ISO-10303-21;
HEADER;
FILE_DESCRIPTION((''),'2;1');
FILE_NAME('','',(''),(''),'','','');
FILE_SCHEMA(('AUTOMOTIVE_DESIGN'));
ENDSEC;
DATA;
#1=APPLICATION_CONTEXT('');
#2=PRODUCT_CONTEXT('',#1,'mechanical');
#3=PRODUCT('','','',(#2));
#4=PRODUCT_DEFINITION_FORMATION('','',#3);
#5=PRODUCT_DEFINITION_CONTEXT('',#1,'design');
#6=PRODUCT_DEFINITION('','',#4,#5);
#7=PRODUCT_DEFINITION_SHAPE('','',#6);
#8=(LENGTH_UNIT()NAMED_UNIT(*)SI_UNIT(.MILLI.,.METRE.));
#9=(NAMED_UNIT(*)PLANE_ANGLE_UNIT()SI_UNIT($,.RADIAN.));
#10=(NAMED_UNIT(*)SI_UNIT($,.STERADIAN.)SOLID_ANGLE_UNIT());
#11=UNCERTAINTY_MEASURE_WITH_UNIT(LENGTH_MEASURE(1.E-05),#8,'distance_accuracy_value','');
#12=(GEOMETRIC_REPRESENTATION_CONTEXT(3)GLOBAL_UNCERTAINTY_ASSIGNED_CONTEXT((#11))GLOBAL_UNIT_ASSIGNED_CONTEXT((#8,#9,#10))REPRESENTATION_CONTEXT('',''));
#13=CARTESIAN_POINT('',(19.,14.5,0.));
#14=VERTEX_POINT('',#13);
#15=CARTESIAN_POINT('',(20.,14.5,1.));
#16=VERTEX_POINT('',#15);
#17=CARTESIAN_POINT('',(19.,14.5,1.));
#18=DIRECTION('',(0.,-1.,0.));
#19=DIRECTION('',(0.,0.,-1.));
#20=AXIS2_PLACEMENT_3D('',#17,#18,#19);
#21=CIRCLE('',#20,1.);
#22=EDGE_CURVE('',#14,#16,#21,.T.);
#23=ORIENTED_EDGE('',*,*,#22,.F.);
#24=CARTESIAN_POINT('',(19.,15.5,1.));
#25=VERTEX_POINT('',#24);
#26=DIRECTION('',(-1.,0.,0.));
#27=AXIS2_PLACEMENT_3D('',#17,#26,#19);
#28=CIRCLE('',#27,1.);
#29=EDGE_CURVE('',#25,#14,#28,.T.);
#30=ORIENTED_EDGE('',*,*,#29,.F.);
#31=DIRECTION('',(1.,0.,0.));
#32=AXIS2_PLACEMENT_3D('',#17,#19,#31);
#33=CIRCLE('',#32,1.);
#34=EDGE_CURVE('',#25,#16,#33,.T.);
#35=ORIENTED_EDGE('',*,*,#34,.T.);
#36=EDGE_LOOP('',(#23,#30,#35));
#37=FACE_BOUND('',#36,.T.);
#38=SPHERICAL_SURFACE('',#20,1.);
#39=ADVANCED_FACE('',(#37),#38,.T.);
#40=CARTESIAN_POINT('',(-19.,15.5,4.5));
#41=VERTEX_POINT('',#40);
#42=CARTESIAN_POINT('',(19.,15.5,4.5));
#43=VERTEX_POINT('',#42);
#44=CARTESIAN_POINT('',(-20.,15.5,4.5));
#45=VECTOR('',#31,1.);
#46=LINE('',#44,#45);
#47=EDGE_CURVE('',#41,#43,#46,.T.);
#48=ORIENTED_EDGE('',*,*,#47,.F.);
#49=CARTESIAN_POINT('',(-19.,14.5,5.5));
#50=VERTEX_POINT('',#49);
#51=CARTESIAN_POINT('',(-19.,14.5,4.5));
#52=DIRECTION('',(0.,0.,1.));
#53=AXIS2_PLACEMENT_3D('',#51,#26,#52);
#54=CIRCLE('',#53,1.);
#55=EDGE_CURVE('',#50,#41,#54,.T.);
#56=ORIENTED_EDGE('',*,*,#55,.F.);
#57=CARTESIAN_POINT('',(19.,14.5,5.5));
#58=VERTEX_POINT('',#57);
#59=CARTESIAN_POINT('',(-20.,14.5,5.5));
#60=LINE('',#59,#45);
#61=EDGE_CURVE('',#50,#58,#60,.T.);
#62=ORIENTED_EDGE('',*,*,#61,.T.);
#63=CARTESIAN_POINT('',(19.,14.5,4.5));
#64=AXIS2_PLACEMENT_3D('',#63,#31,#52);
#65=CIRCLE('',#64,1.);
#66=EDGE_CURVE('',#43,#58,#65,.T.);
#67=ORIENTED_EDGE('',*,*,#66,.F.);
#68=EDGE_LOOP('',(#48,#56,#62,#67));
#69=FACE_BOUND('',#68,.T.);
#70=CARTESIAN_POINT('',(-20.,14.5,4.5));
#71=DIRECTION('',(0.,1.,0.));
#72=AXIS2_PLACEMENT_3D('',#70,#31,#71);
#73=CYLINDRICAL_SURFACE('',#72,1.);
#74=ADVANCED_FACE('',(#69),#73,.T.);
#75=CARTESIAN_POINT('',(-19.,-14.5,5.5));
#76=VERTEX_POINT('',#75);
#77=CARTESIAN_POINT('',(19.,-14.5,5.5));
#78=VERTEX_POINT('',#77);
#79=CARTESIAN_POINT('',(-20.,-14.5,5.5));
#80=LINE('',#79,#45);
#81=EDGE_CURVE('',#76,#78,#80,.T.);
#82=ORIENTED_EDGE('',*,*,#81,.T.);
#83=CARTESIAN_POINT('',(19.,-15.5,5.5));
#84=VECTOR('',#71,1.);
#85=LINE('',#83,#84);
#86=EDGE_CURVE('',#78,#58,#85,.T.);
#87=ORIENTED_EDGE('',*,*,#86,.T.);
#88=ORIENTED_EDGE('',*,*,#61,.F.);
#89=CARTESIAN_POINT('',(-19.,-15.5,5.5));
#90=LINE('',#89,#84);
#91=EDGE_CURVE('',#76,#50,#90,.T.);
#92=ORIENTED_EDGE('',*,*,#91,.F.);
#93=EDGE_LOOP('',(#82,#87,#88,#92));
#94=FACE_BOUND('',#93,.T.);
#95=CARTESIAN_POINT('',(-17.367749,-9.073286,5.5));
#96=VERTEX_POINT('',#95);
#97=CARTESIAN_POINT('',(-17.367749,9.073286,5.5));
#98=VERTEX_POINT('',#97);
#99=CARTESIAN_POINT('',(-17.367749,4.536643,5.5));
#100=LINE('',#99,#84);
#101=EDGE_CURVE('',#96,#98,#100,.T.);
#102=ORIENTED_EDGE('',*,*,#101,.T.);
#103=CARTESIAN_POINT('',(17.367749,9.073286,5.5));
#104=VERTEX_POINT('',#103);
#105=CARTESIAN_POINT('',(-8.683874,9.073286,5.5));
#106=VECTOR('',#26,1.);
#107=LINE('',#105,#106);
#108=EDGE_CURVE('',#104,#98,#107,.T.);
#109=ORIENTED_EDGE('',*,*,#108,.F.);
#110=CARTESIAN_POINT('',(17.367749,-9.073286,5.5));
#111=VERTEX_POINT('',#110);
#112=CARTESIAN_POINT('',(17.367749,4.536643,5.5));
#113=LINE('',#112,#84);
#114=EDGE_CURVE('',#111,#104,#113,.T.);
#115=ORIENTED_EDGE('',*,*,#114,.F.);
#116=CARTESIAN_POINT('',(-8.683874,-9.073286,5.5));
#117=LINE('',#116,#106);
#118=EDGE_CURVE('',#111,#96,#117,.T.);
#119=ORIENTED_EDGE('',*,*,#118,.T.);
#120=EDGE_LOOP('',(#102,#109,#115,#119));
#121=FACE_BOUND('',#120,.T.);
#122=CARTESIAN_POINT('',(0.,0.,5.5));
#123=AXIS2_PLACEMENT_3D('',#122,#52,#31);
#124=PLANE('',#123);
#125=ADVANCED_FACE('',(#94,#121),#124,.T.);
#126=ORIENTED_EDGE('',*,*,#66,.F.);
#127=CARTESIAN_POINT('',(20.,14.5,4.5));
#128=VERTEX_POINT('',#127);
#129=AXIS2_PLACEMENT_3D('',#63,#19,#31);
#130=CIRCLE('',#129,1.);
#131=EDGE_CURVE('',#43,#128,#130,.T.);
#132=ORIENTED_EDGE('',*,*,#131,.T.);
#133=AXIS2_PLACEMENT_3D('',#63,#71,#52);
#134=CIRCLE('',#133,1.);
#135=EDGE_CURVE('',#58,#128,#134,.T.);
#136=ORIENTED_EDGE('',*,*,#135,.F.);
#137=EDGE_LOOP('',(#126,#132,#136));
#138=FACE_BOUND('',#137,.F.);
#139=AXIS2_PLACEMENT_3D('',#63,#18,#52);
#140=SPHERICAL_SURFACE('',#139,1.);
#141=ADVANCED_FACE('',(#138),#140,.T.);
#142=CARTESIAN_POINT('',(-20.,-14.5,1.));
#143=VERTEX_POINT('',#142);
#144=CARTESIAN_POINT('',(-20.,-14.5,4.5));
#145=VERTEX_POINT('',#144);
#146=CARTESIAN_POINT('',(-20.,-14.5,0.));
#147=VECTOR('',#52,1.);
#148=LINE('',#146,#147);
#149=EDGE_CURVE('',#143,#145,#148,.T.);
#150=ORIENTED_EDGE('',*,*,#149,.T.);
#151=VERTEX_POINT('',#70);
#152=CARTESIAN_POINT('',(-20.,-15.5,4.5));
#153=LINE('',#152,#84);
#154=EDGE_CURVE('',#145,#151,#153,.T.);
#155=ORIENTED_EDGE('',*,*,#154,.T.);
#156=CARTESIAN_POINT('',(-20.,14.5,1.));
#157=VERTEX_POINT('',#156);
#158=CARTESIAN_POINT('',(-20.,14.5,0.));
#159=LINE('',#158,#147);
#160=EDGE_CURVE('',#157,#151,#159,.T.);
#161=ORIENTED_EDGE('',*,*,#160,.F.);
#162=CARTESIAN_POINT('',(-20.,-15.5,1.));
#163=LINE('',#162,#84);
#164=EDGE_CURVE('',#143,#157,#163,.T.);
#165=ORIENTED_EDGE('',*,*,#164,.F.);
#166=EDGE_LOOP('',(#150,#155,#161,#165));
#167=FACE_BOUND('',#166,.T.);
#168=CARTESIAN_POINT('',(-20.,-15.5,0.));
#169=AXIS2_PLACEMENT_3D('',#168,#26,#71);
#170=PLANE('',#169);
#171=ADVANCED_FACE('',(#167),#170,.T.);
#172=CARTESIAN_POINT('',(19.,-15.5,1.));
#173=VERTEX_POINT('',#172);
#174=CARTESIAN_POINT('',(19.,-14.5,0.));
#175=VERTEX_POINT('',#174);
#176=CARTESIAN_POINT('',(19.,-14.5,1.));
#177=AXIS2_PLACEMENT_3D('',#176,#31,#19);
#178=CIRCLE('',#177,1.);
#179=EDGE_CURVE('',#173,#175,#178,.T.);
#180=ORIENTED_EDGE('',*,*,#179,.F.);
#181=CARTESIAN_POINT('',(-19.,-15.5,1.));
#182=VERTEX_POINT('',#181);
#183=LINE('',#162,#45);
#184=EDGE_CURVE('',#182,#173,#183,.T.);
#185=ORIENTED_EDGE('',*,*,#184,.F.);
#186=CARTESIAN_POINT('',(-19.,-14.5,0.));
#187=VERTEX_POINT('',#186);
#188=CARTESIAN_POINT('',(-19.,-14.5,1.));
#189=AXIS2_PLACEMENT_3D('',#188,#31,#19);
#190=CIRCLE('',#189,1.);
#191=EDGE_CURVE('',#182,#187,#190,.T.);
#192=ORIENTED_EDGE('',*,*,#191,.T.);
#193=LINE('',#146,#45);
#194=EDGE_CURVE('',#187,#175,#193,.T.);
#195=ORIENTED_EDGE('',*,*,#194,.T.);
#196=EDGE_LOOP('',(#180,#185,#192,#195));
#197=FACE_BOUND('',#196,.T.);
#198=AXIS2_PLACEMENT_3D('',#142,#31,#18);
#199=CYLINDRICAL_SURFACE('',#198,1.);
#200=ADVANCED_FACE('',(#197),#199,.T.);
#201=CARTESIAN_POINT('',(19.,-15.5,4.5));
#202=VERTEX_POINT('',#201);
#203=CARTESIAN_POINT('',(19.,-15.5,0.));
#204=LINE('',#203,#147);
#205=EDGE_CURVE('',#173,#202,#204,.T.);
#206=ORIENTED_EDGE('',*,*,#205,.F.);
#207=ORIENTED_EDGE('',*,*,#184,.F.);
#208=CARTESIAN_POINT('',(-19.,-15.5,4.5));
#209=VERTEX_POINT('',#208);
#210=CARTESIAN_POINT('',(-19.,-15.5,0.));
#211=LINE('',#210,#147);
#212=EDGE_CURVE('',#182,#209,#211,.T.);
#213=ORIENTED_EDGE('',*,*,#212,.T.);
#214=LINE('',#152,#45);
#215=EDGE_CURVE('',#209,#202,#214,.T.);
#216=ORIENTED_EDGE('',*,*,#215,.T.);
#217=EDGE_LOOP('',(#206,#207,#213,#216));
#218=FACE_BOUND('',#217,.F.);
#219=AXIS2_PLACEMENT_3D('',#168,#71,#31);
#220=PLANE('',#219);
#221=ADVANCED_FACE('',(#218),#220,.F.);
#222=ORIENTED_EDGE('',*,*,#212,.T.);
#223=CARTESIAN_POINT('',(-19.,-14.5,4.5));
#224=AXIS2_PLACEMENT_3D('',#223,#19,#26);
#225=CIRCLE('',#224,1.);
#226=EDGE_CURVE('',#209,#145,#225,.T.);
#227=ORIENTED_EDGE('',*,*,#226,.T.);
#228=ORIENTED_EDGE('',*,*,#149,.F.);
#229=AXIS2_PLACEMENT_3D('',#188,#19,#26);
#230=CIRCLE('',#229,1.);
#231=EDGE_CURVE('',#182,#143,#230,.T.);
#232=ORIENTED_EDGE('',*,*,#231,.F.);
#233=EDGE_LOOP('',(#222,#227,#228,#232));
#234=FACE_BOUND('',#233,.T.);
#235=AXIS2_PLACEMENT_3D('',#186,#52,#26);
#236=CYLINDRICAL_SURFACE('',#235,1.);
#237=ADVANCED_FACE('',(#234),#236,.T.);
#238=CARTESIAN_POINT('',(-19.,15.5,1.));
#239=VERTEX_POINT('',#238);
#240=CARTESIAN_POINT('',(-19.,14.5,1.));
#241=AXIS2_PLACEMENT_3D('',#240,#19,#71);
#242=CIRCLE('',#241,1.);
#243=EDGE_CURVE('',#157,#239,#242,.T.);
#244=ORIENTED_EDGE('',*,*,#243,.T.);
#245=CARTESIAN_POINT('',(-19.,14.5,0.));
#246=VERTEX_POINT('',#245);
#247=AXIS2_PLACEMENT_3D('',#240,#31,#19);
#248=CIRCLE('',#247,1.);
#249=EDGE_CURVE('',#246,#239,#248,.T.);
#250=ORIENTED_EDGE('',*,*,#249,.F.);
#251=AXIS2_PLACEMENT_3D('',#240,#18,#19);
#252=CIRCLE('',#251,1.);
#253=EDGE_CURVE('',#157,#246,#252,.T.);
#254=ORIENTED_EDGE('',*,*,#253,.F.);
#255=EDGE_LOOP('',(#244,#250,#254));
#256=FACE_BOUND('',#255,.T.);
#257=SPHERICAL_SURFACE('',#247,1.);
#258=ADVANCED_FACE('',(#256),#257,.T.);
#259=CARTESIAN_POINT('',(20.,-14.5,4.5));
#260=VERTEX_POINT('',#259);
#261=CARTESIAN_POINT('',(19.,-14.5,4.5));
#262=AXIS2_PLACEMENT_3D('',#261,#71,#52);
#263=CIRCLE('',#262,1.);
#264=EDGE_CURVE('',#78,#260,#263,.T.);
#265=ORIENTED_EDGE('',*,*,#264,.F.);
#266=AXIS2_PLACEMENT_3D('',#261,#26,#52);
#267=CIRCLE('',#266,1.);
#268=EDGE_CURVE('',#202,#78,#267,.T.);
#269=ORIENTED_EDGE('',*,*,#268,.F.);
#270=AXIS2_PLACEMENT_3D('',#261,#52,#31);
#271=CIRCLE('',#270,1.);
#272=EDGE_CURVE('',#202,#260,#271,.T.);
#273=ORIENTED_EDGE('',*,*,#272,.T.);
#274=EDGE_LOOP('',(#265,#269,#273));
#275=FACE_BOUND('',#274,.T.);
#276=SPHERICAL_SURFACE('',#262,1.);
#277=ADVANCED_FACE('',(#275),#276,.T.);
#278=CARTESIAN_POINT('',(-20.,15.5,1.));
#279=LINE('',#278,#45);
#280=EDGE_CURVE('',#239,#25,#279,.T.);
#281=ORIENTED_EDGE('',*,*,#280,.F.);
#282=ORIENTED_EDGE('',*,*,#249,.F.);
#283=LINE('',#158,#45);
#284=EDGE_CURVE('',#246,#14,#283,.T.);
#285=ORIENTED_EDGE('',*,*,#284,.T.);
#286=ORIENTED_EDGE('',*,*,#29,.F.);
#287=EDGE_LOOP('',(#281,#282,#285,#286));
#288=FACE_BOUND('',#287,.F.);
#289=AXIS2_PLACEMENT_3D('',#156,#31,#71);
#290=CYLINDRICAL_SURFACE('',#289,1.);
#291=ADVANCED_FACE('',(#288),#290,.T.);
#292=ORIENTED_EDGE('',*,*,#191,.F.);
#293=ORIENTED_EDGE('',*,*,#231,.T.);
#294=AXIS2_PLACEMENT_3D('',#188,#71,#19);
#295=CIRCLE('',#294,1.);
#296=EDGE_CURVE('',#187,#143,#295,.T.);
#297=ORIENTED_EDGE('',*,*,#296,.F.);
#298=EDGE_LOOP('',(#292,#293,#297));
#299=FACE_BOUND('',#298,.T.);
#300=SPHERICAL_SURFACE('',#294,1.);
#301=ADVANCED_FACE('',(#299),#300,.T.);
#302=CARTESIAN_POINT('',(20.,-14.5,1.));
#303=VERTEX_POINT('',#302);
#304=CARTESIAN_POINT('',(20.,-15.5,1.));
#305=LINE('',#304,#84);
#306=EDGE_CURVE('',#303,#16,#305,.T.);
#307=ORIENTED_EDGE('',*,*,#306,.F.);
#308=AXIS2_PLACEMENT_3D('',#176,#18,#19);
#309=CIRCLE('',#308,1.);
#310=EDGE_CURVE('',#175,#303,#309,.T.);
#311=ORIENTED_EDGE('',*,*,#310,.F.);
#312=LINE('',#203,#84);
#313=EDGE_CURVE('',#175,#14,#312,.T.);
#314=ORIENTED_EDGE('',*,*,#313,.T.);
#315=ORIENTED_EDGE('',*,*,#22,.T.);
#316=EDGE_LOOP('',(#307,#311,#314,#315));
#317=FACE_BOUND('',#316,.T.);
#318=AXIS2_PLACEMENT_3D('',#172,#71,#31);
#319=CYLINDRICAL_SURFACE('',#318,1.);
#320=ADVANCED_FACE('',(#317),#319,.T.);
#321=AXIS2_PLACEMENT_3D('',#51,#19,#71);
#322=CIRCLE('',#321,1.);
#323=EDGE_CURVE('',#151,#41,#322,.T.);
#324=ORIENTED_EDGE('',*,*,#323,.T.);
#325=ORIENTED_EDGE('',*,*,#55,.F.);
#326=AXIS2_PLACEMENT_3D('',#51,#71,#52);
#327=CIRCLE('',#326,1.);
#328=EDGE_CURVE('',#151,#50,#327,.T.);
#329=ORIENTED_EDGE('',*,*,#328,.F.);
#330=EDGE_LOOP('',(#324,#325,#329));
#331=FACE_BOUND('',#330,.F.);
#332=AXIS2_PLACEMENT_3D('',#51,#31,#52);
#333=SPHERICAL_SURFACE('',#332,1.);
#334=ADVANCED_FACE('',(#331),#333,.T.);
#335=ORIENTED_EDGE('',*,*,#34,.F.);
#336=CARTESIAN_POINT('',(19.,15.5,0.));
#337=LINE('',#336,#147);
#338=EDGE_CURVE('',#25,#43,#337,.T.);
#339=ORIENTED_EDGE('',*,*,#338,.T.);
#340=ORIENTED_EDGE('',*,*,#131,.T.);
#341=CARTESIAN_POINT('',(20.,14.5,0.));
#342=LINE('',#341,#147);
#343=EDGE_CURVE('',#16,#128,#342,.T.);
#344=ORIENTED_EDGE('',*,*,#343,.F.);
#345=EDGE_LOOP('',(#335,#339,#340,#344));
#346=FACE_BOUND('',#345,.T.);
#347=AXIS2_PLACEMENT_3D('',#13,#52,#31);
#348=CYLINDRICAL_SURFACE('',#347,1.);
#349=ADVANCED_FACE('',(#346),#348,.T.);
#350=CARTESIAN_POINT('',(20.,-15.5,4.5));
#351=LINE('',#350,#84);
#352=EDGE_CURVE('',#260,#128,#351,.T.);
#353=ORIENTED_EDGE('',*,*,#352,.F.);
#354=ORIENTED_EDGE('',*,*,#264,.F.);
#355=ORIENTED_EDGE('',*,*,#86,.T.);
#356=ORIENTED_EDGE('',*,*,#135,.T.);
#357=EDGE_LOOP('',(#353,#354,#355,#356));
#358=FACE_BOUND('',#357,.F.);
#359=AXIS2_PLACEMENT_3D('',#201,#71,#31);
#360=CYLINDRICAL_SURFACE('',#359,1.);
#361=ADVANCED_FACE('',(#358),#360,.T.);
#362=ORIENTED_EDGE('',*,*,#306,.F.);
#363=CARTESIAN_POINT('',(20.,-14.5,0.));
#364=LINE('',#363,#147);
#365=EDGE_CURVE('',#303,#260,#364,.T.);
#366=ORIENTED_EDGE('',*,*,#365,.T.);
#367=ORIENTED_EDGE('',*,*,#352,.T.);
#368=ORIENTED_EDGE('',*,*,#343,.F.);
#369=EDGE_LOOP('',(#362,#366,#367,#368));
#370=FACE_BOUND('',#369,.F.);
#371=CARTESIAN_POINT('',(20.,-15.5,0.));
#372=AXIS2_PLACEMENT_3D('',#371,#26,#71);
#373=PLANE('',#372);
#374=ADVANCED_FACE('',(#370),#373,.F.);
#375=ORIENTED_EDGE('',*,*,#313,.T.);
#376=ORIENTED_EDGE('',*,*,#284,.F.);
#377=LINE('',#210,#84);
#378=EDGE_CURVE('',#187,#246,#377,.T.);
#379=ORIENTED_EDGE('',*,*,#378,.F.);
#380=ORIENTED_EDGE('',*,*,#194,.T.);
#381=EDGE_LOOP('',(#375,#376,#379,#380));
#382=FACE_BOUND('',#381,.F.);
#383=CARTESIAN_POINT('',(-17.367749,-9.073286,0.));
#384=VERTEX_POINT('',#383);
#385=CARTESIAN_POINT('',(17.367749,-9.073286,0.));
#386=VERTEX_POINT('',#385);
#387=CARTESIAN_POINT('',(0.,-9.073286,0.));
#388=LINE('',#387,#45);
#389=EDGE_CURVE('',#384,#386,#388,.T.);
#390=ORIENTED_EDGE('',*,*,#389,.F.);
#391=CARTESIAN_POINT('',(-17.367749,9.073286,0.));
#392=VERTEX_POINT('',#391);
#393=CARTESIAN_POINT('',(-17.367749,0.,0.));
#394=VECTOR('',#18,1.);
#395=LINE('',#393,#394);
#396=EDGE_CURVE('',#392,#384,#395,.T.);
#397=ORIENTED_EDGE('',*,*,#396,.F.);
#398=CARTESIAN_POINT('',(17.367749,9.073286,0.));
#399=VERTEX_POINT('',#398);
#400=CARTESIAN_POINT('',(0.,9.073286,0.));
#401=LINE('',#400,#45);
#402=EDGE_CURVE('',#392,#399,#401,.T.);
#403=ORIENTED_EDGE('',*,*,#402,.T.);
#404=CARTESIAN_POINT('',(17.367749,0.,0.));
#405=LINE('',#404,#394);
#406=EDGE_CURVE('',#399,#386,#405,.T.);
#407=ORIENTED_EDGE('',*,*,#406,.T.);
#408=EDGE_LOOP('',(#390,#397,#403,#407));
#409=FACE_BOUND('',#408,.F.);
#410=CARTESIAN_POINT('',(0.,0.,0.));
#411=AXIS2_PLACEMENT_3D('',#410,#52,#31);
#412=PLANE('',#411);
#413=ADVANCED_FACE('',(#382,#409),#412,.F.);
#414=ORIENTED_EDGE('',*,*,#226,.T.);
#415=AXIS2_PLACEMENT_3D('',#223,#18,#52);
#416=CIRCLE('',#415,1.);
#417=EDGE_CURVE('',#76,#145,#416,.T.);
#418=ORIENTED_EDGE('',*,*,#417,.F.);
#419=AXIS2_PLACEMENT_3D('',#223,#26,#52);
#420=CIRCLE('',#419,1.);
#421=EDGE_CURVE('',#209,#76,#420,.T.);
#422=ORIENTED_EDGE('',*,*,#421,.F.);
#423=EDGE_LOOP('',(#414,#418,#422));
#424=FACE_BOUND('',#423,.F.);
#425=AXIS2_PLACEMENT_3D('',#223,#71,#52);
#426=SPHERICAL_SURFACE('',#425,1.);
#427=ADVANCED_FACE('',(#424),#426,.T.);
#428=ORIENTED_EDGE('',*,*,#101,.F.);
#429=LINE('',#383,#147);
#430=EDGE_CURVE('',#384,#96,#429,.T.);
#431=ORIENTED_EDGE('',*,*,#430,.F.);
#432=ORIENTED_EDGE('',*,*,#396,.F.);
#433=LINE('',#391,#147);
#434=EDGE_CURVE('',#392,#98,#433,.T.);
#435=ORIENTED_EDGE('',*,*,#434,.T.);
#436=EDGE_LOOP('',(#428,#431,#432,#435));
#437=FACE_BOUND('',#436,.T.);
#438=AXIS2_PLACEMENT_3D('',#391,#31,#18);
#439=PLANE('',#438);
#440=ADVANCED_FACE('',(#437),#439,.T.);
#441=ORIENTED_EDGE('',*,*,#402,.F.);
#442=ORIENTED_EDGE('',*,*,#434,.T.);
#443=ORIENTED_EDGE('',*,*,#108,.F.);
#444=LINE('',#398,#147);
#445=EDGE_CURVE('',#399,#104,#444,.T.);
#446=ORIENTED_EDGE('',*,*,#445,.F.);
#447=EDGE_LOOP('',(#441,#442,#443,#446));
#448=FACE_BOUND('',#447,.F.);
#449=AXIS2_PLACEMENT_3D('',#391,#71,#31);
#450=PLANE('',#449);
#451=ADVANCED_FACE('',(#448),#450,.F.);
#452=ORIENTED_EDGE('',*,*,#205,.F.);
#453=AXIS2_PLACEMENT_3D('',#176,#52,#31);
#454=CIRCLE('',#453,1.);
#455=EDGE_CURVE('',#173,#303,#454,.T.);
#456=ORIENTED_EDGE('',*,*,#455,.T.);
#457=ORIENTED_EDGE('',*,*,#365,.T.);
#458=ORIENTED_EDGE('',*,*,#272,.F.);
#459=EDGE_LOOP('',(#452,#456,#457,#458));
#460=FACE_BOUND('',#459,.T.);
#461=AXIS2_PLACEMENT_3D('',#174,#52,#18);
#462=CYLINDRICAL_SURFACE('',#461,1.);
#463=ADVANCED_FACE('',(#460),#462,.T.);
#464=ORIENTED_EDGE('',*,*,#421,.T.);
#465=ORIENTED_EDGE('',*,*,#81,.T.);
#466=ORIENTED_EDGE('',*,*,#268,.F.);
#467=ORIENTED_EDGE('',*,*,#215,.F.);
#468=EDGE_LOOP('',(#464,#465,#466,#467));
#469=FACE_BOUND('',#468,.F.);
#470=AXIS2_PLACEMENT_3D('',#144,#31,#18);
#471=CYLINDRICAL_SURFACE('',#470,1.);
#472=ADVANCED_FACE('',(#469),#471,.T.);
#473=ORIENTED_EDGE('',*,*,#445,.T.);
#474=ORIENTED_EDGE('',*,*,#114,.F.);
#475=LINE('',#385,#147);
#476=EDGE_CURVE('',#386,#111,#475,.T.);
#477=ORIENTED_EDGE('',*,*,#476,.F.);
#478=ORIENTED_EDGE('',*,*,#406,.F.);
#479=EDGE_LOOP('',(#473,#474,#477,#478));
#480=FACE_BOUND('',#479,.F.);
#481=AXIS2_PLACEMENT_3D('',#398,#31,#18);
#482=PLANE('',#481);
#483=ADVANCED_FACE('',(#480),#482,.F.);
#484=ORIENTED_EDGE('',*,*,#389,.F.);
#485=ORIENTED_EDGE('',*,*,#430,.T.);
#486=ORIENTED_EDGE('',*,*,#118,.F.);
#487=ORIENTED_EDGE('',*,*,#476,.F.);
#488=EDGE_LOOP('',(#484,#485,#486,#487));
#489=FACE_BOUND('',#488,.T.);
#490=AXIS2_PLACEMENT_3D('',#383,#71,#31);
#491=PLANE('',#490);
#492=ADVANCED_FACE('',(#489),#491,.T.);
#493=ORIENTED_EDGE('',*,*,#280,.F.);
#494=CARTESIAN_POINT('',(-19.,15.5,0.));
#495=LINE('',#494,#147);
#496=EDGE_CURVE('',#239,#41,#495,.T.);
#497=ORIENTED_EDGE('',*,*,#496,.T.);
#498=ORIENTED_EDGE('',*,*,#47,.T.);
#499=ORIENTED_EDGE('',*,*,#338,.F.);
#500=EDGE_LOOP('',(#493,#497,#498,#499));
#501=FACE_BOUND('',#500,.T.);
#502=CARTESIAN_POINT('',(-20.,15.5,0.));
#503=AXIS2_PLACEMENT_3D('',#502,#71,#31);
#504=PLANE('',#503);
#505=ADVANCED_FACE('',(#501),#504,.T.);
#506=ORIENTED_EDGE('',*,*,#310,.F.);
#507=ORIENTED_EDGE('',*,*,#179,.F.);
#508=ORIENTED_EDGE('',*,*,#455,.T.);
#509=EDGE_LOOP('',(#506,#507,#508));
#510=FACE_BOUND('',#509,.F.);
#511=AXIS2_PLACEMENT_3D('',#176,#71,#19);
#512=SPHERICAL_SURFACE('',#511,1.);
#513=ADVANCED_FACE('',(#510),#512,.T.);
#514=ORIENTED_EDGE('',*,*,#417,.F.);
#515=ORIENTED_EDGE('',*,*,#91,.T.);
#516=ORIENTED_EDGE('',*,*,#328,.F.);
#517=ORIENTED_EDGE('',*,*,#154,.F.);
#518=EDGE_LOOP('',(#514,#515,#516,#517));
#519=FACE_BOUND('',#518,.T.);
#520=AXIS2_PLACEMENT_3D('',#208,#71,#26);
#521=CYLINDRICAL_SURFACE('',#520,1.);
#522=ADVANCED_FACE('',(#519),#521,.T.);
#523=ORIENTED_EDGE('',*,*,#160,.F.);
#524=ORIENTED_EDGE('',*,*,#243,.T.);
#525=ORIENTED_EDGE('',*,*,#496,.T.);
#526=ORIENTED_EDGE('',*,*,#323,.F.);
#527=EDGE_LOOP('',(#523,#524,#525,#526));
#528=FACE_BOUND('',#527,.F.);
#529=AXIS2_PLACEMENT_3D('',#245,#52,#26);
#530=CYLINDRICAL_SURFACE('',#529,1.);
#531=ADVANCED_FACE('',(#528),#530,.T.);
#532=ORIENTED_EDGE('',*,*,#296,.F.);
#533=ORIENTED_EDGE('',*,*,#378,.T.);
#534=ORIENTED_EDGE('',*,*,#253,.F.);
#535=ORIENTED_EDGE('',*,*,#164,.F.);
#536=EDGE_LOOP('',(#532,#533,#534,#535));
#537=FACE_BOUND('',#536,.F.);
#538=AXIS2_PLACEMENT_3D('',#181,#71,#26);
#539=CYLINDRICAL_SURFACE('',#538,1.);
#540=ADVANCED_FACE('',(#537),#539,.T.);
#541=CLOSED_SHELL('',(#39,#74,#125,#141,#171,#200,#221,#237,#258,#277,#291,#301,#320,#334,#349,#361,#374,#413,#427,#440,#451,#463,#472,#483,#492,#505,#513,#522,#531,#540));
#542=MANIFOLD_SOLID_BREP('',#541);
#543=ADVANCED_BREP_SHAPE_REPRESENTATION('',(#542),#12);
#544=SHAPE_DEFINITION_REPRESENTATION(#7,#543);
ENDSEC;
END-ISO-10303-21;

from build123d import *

# Parameters (mm, degrees)
F0_W     = 40
F0_H     = 31
F1_DEPTH = 5.5
F2_R     = 1
F3_W     = 34.735498
F3_H     = 18.146572
F4_DEPTH = 25


with BuildPart() as f1:
    # F0 (on Top) → F1 (new body)
    with BuildSketch(Plane.XY):
        Rectangle(F0_W, F0_H)
    extrude(amount=F1_DEPTH)

    # F2
    f2_edges = [f1.edges().sort_by_distance(p)[0] for p in [
        (20, 0, 5.5),
        (0, 15.5, 5.5),
        (-20, 0, 5.5),
        (0, -15.5, 5.5),
        (20, 0, 0),
        (0, 15.5, 0),
        (-20, 0, 0),
        (0, -15.5, 0),
        (-20, -15.5, 2.75),
        (20, -15.5, 2.75),
        (-20, 15.5, 2.75),
        (20, 15.5, 2.75),
    ]]
    fillet(f2_edges, radius=F2_R)

    # F3 (on face) → F4 (cut)
    with BuildSketch(Plane(origin=(0, 0, 0), x_dir=(1, 0, 0), z_dir=(0, 0, -1))):
        Rectangle(F3_W, F3_H)
    extrude(amount=-F4_DEPTH, mode=Mode.SUBTRACT)


solid = f1.part
